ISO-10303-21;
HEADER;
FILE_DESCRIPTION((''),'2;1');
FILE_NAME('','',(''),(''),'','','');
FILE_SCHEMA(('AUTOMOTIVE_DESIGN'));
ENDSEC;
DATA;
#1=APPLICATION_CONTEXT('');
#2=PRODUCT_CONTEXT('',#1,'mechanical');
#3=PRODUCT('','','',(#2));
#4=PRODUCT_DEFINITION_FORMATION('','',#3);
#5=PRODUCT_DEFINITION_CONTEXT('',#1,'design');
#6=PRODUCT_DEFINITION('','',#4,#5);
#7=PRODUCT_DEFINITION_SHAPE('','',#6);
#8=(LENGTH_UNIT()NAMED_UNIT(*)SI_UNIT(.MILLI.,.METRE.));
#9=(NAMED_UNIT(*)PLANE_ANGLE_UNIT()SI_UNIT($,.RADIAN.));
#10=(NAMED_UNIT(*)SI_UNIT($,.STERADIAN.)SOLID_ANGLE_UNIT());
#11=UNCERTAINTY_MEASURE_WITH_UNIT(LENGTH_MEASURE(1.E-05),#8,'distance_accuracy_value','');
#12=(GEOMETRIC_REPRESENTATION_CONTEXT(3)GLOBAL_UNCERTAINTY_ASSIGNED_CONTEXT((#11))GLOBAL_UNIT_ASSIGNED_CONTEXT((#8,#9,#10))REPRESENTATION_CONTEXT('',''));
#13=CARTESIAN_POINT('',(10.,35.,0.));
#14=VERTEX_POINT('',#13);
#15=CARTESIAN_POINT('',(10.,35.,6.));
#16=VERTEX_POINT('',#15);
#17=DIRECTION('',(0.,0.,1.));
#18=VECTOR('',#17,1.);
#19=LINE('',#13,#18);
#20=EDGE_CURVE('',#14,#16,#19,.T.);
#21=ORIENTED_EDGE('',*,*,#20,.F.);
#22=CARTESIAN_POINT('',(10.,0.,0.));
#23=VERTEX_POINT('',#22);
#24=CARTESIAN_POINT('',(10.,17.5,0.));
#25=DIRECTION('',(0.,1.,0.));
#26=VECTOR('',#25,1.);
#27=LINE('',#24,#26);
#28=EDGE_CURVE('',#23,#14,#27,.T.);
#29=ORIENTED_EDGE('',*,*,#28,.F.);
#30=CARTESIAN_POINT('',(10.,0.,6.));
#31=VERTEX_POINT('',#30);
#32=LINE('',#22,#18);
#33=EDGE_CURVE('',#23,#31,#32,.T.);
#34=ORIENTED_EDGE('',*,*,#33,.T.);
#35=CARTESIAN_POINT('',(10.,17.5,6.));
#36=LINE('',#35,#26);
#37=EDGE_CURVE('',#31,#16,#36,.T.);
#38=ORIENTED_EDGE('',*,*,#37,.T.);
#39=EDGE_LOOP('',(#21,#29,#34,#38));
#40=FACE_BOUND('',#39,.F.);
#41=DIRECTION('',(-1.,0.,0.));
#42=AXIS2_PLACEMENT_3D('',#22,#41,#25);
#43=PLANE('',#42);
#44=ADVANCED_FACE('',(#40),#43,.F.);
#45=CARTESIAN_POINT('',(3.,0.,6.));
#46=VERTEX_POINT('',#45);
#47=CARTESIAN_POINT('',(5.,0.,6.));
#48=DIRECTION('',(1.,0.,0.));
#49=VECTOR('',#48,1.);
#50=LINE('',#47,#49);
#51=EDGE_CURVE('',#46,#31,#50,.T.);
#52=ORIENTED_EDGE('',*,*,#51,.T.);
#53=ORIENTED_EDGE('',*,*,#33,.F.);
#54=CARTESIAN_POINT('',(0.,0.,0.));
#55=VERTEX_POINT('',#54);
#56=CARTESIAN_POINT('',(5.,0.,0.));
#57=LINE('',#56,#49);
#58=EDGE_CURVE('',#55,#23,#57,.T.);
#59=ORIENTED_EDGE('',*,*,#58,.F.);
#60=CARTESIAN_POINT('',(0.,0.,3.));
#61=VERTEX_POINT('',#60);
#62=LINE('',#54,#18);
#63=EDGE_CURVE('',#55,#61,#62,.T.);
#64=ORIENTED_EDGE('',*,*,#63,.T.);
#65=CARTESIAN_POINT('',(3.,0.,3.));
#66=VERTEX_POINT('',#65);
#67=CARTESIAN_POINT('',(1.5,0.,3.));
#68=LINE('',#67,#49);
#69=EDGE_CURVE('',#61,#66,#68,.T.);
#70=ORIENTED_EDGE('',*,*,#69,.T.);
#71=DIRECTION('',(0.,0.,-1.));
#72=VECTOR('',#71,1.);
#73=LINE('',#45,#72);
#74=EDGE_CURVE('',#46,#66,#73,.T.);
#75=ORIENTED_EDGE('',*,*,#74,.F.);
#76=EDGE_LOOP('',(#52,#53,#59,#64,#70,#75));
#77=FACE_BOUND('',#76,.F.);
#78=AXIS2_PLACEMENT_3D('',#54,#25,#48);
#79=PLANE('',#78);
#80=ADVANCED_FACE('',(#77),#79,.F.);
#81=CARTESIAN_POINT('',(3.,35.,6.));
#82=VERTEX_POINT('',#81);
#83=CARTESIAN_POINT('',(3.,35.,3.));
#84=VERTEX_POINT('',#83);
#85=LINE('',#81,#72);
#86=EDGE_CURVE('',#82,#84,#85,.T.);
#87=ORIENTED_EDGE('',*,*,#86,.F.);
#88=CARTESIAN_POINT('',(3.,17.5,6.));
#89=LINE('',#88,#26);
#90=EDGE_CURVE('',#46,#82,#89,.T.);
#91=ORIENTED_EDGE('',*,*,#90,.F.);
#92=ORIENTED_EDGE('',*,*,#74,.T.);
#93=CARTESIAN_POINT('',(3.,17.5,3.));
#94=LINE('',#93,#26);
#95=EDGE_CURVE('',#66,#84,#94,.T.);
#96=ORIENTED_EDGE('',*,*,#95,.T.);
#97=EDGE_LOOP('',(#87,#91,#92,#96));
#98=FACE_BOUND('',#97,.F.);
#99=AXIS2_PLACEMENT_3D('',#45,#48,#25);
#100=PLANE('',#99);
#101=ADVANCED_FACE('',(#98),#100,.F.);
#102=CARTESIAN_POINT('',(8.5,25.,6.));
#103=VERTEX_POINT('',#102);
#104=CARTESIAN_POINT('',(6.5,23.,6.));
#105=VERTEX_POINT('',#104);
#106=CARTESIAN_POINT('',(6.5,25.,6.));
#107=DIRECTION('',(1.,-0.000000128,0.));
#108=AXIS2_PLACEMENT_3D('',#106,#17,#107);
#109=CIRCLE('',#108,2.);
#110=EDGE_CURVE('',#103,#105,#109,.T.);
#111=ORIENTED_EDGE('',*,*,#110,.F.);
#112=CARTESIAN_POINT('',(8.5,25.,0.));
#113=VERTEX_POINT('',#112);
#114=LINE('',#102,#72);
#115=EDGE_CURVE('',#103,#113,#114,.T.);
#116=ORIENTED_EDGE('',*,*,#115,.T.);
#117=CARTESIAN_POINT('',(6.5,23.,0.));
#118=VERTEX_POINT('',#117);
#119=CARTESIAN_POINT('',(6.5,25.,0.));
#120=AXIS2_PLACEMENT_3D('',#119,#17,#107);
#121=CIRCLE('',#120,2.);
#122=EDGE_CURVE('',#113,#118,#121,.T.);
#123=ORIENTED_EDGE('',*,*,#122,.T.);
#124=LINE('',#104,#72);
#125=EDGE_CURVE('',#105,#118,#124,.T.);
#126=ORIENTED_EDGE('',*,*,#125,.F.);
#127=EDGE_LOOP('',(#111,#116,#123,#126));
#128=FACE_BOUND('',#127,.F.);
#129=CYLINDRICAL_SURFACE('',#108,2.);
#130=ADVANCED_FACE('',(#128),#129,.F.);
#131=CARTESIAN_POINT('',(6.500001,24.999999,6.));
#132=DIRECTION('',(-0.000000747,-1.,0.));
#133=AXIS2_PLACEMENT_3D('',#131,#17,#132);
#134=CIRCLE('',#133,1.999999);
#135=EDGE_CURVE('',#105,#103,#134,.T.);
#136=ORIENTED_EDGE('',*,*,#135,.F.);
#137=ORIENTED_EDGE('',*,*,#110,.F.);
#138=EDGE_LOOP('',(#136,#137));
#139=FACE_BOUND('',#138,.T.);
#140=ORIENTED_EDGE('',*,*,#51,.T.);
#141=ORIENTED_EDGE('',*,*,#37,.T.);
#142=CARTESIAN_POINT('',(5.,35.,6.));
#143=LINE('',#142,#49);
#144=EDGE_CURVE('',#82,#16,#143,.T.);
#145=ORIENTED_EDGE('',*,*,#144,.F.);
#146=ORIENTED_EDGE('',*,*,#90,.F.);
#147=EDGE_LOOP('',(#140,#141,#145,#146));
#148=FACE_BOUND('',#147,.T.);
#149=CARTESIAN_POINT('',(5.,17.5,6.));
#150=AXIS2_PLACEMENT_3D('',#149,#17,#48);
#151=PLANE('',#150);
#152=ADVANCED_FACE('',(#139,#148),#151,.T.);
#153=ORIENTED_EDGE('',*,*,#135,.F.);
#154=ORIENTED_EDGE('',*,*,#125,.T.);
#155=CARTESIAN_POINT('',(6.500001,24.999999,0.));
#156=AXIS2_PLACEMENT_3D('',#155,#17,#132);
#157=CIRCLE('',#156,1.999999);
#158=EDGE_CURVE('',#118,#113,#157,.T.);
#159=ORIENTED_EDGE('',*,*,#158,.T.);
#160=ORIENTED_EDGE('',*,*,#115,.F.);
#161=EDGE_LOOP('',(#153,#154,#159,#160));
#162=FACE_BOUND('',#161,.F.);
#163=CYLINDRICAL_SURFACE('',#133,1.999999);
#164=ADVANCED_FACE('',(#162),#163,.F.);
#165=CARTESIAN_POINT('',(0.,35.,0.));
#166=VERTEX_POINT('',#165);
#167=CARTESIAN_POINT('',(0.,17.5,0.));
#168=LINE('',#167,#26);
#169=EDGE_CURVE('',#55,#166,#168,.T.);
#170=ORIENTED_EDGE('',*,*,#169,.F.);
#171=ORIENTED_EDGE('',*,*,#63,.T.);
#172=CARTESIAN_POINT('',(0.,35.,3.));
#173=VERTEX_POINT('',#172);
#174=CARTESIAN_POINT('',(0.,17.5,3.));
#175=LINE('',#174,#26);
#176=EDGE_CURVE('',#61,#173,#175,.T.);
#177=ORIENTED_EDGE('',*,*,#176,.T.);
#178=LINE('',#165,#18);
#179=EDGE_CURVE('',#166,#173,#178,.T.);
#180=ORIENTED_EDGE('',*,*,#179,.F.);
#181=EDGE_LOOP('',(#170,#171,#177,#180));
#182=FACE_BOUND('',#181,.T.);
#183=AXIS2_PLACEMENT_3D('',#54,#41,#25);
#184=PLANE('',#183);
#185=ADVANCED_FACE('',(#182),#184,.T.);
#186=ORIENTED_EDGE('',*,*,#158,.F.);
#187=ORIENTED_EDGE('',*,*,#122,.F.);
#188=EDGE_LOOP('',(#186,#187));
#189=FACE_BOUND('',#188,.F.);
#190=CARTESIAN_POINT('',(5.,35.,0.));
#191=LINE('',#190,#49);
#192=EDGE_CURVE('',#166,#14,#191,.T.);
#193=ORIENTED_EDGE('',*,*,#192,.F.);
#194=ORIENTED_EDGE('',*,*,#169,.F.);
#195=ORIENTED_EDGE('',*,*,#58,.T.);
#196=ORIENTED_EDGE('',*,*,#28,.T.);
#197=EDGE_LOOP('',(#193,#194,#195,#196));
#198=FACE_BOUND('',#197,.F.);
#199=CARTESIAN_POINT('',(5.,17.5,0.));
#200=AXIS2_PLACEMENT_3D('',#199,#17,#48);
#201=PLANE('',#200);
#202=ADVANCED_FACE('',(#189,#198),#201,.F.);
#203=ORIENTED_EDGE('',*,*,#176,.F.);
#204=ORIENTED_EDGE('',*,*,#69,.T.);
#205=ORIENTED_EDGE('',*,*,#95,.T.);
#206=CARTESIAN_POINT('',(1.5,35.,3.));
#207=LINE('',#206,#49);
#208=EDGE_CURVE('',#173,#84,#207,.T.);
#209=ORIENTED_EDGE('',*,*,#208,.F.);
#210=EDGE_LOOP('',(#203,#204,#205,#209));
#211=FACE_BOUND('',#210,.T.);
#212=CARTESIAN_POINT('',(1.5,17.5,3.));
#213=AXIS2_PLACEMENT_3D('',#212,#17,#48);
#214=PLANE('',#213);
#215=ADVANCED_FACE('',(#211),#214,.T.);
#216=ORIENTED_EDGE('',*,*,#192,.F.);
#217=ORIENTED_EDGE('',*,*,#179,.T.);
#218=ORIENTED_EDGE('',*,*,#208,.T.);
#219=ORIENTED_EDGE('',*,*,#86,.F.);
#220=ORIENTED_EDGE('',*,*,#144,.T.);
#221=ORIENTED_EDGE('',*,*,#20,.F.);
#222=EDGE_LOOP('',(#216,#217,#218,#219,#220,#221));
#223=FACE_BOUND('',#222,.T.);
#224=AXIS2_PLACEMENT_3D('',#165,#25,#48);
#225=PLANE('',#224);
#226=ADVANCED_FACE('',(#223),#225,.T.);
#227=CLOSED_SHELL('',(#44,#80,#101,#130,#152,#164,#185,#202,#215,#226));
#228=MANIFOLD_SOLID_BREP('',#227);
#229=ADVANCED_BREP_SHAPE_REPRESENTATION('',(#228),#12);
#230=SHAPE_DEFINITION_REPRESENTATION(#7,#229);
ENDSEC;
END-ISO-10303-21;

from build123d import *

# Parameters (mm, degrees)
F0_W     = 10
F0_H     = 35
F1_DEPTH = 6
F2_W     = 3
F2_H     = 35
F3_DEPTH = 3
F5_DEPTH = 25


with BuildPart() as f1:
    # F0 (on Top) → F1 (new body)
    with BuildSketch(Plane.XY):
        with Locations((5, 17.5)):
            Rectangle(F0_W, F0_H)
    extrude(amount=F1_DEPTH)

    # F2 (on face) → F3 (cut)
    with BuildSketch(Plane.XY.offset(6)):
        with Locations((1.5, 17.5)):
            Rectangle(F2_W, F2_H)
    extrude(amount=-F3_DEPTH, mode=Mode.SUBTRACT)

    # F4 (on face) → F5 (cut)
    with BuildSketch(Plane.XY.offset(6)):
        with BuildLine():
            ThreePointArc((6.5, 23), (7.914214, 23.585786), (8.5, 25))
            ThreePointArc((8.5, 25), (5.085786, 26.414214), (6.5, 23))
        make_face()
    extrude(amount=-F5_DEPTH, mode=Mode.SUBTRACT)


solid = f1.part
